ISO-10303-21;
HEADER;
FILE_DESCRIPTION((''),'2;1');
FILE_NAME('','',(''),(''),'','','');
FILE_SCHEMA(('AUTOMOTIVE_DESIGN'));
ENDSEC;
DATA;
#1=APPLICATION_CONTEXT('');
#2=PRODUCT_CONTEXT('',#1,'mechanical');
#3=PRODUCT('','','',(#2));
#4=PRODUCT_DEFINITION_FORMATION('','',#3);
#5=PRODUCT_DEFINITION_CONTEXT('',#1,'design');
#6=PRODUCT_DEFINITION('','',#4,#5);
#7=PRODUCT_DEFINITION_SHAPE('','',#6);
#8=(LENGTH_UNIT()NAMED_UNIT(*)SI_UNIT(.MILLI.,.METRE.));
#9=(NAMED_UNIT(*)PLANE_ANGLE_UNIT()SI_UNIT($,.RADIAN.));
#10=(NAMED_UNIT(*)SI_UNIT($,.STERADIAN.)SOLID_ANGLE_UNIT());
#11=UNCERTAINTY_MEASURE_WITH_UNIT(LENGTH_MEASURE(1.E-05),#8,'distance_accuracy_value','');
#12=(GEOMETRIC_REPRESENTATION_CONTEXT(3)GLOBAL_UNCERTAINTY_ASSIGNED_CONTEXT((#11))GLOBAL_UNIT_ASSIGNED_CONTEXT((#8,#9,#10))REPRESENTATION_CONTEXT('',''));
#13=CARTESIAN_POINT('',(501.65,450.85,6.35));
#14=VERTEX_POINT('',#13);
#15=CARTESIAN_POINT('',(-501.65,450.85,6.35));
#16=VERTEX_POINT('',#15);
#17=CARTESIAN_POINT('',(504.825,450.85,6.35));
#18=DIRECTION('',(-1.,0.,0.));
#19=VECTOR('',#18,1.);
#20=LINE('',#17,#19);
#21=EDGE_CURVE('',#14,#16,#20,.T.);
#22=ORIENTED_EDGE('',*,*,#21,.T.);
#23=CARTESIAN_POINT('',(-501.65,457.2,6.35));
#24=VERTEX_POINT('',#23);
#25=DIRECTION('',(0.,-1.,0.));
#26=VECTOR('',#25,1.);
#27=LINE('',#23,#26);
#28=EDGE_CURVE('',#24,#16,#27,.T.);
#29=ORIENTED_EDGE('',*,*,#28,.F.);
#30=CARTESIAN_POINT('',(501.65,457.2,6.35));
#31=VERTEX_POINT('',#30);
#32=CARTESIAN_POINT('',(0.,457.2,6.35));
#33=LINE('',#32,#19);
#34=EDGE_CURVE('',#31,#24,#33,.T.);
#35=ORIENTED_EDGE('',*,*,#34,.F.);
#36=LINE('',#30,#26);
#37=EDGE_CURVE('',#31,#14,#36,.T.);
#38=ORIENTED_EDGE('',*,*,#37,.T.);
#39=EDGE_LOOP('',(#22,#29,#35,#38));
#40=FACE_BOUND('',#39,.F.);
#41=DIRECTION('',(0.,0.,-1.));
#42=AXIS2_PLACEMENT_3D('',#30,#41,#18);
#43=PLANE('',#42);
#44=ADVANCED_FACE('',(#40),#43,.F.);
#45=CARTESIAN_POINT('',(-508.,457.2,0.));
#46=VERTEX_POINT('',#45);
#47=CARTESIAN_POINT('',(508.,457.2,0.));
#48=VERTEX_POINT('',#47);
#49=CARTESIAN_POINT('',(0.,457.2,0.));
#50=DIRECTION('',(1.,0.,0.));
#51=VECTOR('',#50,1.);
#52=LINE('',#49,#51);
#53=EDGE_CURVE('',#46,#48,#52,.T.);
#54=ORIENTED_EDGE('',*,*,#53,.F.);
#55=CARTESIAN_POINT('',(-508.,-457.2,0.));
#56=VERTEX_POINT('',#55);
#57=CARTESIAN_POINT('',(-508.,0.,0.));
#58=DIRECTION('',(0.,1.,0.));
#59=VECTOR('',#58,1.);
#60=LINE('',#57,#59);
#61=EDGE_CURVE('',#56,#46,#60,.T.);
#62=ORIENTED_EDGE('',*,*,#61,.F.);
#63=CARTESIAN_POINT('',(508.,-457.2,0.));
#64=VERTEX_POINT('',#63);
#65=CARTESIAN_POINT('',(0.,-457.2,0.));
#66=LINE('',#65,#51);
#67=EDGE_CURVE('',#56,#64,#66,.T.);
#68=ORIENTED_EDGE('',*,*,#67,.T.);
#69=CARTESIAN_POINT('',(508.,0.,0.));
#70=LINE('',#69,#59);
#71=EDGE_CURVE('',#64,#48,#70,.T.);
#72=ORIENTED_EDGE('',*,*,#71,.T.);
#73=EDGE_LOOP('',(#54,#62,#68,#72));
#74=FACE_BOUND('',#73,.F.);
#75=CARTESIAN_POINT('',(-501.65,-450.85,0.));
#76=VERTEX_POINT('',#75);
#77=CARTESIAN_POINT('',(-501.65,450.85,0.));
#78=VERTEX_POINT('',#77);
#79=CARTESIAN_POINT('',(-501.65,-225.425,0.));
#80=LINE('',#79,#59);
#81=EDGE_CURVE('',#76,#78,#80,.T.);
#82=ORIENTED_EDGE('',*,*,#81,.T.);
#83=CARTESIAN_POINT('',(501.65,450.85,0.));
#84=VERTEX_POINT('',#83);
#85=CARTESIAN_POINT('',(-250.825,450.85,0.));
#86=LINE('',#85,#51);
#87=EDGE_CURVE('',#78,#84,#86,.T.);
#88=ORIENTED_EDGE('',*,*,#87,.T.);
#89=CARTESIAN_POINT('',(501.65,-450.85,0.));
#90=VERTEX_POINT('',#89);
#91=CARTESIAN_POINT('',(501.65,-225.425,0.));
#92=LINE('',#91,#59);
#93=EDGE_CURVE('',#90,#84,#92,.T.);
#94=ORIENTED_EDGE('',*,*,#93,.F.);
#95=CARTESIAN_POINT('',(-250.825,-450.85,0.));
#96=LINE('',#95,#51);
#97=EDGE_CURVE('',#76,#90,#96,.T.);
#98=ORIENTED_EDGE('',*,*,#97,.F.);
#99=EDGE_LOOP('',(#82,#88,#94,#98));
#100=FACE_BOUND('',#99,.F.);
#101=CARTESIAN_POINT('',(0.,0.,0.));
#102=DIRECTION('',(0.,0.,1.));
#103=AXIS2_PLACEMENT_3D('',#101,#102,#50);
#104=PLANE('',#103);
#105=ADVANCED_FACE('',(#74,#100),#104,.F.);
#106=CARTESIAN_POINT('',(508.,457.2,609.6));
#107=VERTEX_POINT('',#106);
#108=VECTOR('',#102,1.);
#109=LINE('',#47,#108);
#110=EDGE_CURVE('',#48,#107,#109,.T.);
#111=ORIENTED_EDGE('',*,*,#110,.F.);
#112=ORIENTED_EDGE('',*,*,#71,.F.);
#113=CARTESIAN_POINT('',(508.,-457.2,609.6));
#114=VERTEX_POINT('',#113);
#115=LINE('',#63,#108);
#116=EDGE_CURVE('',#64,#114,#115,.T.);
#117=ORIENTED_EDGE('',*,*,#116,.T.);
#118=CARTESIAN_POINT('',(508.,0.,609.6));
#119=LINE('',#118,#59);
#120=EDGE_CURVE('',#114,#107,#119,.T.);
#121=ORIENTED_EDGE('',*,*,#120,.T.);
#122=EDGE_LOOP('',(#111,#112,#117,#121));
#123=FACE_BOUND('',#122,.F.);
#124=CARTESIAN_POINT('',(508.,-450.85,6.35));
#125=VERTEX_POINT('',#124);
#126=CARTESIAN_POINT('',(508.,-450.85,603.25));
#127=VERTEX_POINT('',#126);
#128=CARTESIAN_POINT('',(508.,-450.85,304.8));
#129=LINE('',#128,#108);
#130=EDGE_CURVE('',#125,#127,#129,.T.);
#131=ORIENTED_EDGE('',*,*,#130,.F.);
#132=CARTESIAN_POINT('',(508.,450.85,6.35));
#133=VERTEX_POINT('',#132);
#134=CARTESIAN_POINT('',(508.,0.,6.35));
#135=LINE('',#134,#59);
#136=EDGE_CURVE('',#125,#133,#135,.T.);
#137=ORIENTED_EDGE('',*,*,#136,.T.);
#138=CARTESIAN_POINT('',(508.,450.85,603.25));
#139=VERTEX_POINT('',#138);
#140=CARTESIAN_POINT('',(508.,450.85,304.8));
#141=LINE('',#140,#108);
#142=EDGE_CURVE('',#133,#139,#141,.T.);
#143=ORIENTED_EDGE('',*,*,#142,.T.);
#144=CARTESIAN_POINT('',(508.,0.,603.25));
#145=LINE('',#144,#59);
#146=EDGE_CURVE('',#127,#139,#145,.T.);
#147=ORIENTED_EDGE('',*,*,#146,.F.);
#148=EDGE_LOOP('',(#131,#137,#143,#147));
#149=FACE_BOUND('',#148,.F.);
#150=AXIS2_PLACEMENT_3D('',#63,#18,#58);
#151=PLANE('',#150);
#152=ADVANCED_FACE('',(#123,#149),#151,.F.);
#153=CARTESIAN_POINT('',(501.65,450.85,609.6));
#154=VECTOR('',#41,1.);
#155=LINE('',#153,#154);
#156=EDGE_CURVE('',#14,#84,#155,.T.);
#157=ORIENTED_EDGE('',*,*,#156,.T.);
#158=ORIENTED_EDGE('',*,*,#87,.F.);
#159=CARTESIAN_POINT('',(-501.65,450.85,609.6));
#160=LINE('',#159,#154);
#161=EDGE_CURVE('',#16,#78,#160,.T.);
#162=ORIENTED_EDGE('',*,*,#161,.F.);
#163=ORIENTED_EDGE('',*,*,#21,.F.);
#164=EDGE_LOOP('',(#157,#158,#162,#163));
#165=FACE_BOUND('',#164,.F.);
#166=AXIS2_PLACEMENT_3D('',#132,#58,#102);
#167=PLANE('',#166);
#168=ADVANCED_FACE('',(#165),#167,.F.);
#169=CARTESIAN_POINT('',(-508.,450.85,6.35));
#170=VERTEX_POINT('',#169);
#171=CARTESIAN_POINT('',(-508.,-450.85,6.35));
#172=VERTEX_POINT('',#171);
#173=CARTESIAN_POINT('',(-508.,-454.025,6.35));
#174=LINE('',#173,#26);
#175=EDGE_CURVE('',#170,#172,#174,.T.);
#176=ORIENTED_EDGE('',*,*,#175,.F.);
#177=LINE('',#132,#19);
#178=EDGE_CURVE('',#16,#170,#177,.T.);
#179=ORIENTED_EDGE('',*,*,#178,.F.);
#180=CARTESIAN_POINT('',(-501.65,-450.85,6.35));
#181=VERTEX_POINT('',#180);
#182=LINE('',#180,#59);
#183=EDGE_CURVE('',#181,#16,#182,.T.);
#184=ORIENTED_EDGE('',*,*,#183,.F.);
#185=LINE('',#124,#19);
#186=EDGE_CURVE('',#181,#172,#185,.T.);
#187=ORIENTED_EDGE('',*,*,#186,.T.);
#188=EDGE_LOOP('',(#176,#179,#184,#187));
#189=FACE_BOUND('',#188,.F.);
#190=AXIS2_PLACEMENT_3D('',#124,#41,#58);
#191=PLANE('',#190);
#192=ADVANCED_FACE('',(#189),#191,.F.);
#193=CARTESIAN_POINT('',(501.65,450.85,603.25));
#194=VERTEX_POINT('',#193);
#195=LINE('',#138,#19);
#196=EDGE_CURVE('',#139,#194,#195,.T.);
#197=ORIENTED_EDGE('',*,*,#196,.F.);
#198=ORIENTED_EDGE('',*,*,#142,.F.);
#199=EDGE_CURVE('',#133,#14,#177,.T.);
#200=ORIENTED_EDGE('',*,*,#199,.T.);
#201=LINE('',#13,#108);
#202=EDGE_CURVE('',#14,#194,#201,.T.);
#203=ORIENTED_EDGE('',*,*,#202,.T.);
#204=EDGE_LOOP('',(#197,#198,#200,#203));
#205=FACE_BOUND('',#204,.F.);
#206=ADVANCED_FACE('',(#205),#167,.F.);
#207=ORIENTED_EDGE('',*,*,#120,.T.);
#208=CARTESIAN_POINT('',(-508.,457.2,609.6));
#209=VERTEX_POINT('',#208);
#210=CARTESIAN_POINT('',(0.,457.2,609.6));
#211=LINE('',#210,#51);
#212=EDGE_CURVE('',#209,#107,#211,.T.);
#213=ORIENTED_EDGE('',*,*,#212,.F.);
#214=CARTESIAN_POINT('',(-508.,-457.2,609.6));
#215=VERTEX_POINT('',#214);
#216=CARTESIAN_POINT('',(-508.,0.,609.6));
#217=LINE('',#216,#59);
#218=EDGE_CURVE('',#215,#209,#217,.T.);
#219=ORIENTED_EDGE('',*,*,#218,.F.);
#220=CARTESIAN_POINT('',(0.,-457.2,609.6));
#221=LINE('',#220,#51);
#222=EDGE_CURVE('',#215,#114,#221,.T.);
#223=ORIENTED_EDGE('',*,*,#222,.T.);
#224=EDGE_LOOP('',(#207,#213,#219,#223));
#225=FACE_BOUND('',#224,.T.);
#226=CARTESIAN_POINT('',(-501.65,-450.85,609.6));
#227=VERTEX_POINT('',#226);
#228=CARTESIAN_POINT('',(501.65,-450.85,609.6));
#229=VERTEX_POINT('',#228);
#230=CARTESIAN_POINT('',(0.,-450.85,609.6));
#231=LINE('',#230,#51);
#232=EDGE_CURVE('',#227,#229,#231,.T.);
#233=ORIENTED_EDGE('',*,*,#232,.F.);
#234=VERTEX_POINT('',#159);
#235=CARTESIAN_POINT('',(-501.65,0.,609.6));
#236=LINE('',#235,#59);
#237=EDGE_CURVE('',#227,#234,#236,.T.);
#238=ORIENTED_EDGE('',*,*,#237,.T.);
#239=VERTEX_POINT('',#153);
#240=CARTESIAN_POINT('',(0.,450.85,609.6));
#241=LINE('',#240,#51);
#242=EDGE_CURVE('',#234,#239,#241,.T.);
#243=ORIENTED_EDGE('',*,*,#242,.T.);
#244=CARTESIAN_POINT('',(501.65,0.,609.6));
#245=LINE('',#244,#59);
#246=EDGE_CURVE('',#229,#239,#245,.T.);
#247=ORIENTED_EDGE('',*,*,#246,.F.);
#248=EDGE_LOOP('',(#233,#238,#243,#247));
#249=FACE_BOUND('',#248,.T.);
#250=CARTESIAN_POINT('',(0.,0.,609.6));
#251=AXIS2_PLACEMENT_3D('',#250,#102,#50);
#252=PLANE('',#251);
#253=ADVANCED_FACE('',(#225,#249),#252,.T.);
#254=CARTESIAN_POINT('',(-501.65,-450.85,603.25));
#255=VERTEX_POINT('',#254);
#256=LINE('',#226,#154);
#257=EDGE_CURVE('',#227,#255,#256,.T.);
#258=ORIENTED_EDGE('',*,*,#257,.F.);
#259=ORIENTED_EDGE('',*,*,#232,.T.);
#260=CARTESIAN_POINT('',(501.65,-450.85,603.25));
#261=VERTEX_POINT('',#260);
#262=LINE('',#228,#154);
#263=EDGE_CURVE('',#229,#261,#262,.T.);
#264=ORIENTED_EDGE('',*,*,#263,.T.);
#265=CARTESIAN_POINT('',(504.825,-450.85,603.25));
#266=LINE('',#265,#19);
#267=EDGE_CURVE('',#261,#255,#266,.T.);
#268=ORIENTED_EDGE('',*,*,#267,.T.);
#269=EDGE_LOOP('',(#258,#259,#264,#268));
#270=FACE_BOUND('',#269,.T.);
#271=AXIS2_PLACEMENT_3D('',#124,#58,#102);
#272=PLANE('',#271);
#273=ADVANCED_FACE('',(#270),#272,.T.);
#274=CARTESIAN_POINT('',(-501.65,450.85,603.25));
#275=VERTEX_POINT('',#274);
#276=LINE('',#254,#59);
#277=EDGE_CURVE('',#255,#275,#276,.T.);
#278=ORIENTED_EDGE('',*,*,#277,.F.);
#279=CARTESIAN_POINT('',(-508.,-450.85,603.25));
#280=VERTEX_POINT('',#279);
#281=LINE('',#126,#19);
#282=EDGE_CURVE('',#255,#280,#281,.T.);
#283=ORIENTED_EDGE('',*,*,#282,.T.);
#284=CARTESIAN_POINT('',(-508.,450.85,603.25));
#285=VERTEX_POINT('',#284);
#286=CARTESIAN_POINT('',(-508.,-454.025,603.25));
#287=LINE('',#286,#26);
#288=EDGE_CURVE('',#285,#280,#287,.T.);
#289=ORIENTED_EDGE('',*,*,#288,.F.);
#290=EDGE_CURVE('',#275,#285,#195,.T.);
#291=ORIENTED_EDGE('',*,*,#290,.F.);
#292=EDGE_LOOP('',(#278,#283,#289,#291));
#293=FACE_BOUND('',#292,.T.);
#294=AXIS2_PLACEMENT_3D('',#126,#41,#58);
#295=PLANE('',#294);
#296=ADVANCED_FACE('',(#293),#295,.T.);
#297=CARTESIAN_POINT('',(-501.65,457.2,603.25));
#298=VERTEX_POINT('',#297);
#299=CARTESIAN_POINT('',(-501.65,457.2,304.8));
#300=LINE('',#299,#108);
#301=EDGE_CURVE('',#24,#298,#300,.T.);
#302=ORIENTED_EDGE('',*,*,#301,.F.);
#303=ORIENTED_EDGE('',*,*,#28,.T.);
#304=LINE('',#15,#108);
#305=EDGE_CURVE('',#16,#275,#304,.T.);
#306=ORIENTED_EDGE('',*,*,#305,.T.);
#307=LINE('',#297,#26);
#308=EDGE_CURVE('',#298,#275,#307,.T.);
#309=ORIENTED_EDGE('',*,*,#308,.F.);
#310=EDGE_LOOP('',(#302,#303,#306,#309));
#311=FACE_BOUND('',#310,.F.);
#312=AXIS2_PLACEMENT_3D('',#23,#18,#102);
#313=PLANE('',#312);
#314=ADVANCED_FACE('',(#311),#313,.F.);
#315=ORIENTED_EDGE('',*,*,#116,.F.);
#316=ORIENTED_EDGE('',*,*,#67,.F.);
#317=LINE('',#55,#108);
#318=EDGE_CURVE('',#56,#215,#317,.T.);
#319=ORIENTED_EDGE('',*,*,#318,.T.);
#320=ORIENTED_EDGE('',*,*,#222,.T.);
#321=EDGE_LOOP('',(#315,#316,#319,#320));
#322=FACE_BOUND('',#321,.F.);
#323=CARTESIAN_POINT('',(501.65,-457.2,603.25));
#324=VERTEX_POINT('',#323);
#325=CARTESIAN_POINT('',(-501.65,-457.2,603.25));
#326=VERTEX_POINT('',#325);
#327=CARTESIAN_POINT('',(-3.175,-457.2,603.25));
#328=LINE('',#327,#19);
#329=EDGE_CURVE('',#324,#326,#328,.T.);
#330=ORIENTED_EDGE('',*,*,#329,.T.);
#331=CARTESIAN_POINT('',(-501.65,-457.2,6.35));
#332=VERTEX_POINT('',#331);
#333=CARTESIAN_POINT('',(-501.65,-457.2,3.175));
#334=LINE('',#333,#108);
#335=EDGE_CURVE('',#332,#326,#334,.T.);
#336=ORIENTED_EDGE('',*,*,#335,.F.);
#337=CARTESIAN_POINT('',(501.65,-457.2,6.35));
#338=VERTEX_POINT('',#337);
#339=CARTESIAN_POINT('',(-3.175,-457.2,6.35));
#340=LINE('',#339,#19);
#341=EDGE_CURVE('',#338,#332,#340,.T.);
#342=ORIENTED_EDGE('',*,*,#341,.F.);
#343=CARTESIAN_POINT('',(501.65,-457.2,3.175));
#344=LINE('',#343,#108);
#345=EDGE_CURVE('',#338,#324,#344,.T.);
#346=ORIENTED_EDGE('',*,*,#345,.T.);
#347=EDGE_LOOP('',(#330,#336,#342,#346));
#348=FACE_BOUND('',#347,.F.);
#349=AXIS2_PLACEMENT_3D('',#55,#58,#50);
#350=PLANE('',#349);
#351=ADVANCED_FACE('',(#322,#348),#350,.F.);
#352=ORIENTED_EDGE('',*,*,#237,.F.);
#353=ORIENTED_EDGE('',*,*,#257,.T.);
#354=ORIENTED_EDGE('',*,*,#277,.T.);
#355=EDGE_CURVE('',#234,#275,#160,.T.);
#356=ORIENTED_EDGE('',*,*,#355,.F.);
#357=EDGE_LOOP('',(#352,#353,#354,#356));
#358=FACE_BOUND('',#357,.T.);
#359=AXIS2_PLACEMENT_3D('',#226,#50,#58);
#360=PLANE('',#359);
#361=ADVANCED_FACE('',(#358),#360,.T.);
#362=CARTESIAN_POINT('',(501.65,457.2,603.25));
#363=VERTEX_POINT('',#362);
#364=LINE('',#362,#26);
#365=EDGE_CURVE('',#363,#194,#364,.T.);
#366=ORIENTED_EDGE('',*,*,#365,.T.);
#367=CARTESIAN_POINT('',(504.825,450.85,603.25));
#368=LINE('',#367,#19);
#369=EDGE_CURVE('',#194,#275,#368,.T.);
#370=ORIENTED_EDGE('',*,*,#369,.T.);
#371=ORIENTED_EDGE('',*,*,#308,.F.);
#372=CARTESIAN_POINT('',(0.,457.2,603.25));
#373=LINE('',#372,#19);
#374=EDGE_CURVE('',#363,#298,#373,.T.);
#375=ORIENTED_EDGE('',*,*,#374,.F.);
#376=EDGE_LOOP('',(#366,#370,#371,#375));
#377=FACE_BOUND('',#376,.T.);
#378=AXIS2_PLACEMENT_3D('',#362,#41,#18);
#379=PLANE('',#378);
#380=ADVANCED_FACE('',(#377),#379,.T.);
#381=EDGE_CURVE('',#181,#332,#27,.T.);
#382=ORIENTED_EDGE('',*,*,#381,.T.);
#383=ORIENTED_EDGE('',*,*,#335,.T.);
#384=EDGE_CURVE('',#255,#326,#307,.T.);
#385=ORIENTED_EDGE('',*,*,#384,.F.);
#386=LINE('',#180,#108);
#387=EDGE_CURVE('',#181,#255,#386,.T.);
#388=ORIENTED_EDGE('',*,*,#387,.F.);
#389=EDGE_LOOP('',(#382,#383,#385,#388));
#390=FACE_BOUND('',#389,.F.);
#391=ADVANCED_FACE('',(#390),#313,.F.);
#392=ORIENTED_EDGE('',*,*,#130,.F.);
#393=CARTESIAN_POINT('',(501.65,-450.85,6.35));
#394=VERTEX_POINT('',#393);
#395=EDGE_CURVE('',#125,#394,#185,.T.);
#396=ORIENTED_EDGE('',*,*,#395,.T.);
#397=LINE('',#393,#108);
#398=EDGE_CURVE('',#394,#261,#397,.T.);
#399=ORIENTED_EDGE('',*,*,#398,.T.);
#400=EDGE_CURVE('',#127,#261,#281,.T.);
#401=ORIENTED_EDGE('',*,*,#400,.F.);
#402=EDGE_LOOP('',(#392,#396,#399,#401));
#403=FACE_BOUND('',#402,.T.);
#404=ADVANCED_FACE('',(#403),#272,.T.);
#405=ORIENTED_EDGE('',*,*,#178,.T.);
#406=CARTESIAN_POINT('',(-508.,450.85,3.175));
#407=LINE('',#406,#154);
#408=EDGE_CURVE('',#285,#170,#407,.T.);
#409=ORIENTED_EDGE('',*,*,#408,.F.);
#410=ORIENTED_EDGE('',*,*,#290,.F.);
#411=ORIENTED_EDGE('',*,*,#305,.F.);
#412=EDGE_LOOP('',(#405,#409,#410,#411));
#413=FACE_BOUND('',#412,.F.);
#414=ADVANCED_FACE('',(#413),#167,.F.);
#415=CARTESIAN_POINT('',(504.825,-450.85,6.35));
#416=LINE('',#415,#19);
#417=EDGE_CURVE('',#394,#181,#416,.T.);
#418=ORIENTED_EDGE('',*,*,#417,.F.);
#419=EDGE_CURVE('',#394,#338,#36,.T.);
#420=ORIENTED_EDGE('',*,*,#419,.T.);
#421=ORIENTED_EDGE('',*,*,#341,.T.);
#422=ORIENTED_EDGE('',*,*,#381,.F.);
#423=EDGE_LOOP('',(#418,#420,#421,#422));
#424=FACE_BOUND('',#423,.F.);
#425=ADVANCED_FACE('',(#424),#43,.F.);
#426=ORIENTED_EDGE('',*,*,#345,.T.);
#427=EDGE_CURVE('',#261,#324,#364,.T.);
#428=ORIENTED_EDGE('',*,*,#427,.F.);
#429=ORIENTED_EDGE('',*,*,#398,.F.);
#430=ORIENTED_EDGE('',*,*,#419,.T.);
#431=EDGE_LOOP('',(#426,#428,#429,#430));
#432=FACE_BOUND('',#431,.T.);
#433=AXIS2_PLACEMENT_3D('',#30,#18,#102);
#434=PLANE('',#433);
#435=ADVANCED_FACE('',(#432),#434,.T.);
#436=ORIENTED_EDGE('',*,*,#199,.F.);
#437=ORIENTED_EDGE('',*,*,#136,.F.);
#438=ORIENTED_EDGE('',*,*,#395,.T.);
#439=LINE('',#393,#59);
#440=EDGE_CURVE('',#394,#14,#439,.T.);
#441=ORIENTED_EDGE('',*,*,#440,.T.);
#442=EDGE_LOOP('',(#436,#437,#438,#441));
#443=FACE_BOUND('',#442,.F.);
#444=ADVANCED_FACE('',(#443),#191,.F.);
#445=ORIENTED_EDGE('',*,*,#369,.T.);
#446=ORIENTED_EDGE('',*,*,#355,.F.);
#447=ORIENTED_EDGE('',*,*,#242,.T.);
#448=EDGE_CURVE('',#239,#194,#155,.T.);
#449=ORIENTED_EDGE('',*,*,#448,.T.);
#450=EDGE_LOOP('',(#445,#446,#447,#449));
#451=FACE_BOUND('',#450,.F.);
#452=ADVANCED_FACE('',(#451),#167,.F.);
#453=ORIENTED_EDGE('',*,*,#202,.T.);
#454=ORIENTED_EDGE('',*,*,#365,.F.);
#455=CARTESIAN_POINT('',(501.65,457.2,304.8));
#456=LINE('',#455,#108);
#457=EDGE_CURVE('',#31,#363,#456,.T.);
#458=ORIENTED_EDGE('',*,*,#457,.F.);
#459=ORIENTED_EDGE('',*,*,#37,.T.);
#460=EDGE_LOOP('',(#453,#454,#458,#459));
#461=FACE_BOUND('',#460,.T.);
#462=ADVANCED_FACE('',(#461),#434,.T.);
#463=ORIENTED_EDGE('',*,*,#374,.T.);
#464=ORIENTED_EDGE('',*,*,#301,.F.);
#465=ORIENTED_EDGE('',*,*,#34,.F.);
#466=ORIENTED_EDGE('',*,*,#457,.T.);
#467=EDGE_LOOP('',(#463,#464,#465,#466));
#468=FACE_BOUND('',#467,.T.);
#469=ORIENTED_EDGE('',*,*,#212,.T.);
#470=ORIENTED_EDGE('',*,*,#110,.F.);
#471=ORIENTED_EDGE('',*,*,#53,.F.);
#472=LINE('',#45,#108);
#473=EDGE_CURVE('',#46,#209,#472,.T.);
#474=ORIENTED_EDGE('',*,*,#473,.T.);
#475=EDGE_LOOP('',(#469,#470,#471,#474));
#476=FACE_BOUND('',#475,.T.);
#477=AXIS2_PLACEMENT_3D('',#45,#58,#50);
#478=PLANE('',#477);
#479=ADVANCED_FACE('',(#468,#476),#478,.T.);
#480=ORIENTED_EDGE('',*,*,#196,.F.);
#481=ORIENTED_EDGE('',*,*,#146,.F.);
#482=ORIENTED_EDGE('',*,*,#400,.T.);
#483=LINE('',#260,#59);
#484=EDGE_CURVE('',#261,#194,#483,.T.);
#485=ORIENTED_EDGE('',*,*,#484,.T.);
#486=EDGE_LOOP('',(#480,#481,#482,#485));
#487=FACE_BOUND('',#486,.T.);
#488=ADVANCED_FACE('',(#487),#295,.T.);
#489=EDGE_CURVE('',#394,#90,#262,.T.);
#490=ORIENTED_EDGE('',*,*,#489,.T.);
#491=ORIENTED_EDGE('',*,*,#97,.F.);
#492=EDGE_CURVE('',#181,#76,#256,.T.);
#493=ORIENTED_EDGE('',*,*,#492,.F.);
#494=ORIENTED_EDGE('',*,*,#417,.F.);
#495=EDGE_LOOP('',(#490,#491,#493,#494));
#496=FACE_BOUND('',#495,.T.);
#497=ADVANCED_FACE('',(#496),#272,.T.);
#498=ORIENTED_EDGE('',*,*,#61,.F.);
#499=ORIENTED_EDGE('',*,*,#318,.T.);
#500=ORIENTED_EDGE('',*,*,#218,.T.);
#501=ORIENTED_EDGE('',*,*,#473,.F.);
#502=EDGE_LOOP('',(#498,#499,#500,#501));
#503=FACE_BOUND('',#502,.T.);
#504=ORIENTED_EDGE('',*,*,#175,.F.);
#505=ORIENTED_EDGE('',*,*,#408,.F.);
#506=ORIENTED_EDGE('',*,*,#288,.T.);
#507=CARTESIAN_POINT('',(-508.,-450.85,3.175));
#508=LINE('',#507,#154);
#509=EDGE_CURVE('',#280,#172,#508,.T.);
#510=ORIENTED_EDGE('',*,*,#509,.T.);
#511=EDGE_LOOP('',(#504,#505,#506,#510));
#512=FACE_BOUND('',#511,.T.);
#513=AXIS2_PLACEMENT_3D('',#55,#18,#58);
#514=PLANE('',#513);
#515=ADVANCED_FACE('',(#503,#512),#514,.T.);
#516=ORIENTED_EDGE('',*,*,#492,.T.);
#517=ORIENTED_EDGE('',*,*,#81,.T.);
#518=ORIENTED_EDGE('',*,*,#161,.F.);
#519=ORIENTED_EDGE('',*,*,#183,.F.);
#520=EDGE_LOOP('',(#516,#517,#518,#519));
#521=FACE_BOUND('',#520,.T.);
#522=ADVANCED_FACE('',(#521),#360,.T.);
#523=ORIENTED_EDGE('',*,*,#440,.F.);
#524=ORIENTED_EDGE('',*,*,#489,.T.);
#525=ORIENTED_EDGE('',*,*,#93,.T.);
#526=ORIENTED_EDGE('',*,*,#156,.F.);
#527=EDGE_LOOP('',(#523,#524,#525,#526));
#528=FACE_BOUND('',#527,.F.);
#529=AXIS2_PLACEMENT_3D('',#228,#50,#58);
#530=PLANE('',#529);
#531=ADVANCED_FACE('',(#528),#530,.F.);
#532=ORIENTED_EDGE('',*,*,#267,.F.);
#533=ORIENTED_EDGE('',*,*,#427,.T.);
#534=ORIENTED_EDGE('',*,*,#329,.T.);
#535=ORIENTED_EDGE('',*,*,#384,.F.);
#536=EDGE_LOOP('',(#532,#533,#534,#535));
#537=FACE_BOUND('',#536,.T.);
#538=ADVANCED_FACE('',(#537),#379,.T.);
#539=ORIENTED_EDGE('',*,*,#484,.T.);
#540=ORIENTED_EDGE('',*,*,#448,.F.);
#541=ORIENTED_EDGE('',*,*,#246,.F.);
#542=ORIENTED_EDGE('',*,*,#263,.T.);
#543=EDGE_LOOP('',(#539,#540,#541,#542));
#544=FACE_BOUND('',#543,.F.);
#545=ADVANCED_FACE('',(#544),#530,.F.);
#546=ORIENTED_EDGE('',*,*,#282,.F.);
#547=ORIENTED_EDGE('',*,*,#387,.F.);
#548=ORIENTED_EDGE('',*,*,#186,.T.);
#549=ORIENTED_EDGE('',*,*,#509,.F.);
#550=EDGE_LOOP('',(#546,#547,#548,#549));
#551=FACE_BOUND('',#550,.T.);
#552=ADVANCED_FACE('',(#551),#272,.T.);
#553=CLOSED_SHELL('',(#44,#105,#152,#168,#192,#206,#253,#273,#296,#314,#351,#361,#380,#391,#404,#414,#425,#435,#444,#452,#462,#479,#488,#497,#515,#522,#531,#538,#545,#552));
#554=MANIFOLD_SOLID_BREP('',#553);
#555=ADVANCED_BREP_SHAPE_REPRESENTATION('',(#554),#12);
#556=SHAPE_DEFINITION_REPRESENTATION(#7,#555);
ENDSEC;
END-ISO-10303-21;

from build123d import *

# Parameters (mm, degrees)
F0_W     = 1016
F0_H     = 914.4
F1_DEPTH = 609.6
F2_W     = 1003.3
F2_H     = 901.7
F3_DEPTH = 609.601
F4_W     = 901.7
F4_H     = 596.9
F5_DEPTH = 1016.001
F6_W     = 1003.3
F6_H     = 596.9
F7_DEPTH = 914.401


with BuildPart() as f1:
    # F0 (on Top) → F1 (new body)
    with BuildSketch(Plane.XY):
        Rectangle(F0_W, F0_H)
    extrude(amount=F1_DEPTH)

    # F2 (on face) → F3 (cut, through all)
    with BuildSketch(Plane.XY.offset(609.6)):
        Rectangle(F2_W, F2_H)
    extrude(amount=-F3_DEPTH, mode=Mode.SUBTRACT)

    # F4 (on face) → F5 (cut, through all)
    with BuildSketch(Plane.YZ.offset(508)):
        with Locations((0, 304.8)):
            Rectangle(F4_W, F4_H)
    extrude(amount=-F5_DEPTH, mode=Mode.SUBTRACT)

    # F6 (on face) → F7 (cut, through all)
    with BuildSketch(Plane(origin=(0, 457.2, 0), x_dir=(-1, 0, 0), z_dir=(0, 1, 0))):
        with Locations((0, 304.8)):
            Rectangle(F6_W, F6_H)
    extrude(amount=-F7_DEPTH, mode=Mode.SUBTRACT)


solid = f1.part
